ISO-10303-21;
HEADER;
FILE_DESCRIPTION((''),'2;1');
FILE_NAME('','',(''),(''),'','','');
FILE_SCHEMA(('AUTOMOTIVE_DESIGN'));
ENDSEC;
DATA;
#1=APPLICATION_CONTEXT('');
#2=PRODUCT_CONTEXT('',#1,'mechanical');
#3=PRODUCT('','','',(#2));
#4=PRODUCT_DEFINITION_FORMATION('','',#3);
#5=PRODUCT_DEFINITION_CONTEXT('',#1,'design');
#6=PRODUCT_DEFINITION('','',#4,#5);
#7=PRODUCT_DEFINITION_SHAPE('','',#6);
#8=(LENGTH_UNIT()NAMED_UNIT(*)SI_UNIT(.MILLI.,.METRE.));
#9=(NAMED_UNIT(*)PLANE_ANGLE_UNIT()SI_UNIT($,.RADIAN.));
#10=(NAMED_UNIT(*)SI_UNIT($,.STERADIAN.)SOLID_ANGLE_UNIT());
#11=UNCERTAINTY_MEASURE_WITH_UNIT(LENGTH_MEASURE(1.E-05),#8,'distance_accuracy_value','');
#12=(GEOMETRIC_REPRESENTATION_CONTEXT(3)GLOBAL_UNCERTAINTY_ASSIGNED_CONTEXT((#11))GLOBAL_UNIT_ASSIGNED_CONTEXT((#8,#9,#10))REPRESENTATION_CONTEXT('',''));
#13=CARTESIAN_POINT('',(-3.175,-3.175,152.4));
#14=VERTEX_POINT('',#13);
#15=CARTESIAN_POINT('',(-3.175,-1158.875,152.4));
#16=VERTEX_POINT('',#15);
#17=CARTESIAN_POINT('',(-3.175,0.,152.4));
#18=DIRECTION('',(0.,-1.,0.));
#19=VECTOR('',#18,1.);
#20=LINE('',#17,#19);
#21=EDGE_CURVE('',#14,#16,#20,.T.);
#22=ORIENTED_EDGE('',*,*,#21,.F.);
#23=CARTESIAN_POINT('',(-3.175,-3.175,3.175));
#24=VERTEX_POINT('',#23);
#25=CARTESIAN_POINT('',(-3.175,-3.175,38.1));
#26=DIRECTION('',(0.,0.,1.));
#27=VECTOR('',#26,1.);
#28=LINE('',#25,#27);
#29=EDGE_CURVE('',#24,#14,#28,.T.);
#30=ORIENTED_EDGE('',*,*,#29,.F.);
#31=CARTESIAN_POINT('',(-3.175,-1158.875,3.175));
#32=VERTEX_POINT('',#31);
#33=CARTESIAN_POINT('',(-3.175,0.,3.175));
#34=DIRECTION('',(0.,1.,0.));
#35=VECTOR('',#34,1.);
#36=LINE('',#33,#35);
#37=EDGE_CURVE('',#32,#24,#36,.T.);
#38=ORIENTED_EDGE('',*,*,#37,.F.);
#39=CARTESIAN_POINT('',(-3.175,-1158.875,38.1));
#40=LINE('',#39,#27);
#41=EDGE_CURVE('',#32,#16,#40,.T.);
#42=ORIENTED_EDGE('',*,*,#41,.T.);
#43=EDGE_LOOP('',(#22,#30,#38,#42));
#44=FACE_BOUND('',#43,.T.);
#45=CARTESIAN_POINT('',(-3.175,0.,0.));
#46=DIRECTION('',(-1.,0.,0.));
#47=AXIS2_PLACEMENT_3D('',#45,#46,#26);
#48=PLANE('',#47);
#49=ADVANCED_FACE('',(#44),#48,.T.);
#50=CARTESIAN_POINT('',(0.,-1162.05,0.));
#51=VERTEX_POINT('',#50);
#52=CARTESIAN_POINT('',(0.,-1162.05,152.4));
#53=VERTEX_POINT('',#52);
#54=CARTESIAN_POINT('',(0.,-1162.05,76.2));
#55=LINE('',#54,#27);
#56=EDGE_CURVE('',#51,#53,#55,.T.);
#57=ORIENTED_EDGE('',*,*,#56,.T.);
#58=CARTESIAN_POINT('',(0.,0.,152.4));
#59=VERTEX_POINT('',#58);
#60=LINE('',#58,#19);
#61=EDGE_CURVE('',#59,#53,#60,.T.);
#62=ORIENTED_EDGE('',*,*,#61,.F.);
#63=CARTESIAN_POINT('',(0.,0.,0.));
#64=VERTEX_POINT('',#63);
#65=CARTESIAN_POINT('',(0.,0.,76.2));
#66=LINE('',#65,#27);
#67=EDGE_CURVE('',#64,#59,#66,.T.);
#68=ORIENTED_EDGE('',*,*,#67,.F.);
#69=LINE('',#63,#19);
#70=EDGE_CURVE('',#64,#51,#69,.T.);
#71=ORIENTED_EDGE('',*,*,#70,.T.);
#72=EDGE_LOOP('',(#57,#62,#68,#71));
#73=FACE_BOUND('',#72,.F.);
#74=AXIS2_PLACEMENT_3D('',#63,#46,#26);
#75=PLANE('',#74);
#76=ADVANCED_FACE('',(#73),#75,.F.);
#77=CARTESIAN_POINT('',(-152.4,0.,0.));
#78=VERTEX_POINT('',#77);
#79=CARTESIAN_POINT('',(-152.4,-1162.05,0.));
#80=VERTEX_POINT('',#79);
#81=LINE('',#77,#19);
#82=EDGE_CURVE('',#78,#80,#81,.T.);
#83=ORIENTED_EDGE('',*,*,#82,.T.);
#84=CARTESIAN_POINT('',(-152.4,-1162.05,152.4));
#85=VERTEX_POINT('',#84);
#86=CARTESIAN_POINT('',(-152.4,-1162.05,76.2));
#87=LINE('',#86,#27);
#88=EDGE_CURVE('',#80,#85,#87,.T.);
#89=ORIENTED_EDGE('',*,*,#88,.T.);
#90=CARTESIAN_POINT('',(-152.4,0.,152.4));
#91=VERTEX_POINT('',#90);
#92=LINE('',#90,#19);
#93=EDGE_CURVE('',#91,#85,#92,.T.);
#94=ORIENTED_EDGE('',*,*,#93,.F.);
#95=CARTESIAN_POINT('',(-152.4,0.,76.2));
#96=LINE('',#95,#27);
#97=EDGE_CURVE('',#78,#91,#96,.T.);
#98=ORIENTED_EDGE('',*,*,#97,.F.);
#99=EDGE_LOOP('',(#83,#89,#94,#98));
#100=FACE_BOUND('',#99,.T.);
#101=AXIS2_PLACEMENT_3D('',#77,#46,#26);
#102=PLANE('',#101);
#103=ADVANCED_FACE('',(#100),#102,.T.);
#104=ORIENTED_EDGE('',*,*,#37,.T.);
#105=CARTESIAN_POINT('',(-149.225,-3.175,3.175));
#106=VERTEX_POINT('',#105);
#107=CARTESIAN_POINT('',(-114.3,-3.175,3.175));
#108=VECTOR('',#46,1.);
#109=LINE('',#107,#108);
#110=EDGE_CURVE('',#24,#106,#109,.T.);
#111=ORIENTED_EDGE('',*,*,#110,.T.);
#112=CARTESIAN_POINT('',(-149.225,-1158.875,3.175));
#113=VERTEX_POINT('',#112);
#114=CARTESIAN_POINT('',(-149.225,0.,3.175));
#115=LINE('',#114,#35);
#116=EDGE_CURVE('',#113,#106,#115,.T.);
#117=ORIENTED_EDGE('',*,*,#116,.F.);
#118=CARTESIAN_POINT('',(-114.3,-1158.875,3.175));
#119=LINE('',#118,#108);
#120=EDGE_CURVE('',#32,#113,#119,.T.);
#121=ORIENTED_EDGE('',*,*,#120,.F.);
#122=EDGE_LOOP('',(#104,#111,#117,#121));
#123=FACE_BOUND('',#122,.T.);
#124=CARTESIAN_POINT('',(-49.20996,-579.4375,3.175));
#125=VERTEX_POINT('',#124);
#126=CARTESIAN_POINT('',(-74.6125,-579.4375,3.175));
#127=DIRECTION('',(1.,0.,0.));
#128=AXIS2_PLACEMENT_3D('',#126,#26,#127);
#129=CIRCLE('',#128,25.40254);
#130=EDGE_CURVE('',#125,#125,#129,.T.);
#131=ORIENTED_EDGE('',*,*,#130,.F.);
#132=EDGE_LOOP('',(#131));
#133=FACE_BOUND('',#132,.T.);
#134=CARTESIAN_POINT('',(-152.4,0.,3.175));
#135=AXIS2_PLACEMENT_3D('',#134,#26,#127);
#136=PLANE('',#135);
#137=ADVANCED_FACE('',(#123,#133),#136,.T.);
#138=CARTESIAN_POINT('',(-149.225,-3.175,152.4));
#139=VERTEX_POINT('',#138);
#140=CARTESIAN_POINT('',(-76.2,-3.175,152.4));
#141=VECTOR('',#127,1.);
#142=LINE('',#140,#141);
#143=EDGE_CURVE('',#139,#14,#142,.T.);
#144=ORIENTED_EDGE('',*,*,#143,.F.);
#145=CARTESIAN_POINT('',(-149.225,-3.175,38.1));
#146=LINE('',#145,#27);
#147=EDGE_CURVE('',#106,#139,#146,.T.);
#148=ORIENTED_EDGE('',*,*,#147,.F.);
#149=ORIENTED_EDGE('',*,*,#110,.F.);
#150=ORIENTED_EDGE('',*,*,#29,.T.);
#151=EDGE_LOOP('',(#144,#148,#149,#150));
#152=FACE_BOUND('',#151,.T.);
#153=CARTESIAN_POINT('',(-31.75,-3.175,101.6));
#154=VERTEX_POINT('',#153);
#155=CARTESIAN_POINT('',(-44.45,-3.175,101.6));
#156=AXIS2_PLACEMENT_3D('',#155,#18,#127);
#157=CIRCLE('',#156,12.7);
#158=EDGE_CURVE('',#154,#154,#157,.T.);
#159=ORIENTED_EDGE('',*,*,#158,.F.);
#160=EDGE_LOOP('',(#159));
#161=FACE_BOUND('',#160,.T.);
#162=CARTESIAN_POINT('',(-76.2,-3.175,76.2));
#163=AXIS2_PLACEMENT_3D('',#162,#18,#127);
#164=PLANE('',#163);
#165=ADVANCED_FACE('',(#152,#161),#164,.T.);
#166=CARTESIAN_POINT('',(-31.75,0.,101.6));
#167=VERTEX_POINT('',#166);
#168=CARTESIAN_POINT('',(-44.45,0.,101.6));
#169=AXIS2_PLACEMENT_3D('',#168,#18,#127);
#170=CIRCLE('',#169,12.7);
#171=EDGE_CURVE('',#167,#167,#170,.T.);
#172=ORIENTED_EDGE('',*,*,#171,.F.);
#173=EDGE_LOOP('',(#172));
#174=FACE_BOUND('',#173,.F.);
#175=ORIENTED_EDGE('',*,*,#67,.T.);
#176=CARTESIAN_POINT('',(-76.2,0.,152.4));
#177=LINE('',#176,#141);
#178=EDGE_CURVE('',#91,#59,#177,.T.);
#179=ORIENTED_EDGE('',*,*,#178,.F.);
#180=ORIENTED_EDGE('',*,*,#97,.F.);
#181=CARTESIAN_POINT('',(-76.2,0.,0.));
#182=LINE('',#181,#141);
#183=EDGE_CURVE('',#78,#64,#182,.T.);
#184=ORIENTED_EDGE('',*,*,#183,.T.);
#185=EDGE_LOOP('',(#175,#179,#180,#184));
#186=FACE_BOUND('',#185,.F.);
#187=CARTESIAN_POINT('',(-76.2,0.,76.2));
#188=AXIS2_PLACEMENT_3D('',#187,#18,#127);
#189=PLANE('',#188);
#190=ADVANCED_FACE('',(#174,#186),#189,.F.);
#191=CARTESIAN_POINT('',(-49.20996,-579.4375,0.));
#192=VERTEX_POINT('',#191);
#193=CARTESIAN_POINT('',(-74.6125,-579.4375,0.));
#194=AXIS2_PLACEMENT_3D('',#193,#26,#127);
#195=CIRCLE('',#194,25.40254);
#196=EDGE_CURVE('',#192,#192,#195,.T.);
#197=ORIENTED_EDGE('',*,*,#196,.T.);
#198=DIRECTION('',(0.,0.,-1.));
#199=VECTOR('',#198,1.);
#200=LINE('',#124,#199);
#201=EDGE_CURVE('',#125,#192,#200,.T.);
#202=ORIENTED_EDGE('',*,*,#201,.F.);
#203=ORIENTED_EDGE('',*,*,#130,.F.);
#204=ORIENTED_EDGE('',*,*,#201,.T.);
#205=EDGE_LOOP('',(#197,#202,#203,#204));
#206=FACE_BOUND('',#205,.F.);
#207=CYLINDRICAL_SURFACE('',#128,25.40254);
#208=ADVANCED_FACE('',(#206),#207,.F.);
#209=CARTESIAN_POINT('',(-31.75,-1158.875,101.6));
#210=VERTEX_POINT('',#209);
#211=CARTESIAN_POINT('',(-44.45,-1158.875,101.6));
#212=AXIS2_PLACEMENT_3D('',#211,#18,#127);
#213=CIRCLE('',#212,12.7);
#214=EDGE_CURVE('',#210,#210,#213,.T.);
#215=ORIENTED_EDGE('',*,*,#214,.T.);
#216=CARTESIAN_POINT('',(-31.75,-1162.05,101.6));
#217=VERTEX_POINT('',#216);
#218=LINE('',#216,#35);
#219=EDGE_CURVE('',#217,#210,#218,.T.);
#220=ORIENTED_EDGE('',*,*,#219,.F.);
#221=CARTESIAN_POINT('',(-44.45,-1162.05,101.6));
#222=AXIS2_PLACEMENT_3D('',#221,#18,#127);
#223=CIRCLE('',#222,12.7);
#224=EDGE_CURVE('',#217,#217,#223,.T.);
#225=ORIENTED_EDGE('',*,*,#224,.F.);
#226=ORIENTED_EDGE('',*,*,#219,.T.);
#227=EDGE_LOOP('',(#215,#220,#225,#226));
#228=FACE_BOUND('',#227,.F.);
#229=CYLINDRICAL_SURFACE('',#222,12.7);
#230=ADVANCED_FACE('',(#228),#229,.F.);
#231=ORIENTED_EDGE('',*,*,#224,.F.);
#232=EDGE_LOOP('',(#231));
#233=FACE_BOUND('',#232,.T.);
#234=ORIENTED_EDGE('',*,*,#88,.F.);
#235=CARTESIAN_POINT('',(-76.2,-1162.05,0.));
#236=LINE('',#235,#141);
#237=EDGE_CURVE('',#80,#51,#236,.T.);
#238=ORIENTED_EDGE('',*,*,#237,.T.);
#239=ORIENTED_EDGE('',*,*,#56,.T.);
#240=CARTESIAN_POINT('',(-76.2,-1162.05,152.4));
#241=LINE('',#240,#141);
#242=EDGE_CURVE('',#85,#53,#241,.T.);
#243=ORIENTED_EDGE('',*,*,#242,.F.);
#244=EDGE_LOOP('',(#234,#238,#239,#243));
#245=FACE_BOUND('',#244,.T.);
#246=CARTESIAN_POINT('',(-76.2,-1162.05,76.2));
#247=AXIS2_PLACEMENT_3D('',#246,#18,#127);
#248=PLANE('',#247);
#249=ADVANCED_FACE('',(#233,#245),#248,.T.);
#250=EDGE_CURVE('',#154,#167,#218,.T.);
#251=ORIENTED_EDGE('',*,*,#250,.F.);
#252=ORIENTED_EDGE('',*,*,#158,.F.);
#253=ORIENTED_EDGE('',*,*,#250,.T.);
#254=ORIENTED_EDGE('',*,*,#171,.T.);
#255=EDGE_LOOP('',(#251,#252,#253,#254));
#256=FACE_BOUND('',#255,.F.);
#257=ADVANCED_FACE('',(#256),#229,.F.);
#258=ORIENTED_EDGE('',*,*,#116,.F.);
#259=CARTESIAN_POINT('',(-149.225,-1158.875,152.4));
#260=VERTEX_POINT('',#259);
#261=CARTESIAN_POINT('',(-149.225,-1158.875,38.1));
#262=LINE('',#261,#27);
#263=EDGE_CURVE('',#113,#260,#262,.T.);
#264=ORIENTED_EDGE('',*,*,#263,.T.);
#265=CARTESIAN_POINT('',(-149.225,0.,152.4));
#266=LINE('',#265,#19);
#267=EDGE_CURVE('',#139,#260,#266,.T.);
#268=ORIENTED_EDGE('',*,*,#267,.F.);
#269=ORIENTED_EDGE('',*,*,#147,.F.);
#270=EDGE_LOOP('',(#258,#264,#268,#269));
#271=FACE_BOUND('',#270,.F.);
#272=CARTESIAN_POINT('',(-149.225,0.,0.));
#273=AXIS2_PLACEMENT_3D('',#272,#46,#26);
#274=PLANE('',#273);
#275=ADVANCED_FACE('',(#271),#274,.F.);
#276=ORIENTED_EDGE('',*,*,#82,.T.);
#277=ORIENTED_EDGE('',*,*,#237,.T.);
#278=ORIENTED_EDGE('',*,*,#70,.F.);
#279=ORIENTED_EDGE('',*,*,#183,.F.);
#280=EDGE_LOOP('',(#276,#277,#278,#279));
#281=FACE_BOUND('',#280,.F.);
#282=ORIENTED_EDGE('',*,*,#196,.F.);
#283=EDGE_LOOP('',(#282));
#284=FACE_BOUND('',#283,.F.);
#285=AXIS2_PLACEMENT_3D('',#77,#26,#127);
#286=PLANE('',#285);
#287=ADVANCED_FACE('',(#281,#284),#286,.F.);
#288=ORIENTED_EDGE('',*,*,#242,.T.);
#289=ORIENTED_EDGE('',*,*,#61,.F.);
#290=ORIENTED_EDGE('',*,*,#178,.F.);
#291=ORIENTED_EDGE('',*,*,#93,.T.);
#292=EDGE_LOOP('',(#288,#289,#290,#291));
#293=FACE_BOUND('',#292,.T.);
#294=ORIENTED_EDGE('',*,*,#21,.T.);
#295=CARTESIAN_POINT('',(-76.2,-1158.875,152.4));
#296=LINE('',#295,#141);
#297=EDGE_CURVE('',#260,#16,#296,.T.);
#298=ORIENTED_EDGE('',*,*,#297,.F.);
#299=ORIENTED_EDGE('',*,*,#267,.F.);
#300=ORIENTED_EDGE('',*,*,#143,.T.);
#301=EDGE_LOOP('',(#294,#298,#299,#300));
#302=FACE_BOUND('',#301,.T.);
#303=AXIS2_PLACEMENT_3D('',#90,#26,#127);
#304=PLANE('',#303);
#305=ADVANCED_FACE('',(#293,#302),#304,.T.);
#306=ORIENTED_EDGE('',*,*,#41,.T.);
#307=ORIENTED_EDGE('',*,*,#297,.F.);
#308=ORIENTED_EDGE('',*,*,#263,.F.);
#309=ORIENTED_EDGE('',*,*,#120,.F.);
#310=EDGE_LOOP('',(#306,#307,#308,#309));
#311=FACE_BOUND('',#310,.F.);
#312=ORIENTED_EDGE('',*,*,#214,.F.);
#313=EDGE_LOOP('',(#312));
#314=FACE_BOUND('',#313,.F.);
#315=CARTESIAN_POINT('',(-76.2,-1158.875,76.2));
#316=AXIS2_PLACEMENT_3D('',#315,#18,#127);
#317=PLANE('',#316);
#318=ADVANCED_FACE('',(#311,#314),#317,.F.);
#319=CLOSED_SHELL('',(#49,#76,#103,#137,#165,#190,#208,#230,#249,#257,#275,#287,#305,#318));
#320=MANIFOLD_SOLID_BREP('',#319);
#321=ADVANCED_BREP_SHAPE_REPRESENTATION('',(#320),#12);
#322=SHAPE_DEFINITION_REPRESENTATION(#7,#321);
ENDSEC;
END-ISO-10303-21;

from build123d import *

# Parameters (mm, degrees)
F0_W     = 152.4
F0_H     = 152.4
F1_DEPTH = 1162.05
F2_T     = -3.175
F3_R     = 25.40254
F4_DEPTH = 3.176
F5_R     = 12.7
F6_DEPTH = 1162.051


with BuildPart() as f1:
    # F0 (on Front) → F1 (new body)
    with BuildSketch(Plane.XZ):
        with Locations((-76.2, 76.2)):
            Rectangle(F0_W, F0_H)
    extrude(amount=F1_DEPTH)

    # F2
    f2_openings = [f1.faces().sort_by_distance(p)[0] for p in [
        (-76.2, -581.025, 152.4),
    ]]
    offset(amount=F2_T, openings=f2_openings)

    # F3 (on face) → F4 (cut, through all)
    with BuildSketch(Plane.XY.offset(3.175)):
        with Locations((-74.6125, -579.4375)):
            Circle(F3_R)
    extrude(amount=-F4_DEPTH, mode=Mode.SUBTRACT)

    # F5 (on face) → F6 (cut, through all)
    with BuildSketch(Plane.XZ.offset(1162.05)):
        with Locations((-44.45, 101.6)):
            Circle(F5_R)
    extrude(amount=-F6_DEPTH, mode=Mode.SUBTRACT)


solid = f1.part
